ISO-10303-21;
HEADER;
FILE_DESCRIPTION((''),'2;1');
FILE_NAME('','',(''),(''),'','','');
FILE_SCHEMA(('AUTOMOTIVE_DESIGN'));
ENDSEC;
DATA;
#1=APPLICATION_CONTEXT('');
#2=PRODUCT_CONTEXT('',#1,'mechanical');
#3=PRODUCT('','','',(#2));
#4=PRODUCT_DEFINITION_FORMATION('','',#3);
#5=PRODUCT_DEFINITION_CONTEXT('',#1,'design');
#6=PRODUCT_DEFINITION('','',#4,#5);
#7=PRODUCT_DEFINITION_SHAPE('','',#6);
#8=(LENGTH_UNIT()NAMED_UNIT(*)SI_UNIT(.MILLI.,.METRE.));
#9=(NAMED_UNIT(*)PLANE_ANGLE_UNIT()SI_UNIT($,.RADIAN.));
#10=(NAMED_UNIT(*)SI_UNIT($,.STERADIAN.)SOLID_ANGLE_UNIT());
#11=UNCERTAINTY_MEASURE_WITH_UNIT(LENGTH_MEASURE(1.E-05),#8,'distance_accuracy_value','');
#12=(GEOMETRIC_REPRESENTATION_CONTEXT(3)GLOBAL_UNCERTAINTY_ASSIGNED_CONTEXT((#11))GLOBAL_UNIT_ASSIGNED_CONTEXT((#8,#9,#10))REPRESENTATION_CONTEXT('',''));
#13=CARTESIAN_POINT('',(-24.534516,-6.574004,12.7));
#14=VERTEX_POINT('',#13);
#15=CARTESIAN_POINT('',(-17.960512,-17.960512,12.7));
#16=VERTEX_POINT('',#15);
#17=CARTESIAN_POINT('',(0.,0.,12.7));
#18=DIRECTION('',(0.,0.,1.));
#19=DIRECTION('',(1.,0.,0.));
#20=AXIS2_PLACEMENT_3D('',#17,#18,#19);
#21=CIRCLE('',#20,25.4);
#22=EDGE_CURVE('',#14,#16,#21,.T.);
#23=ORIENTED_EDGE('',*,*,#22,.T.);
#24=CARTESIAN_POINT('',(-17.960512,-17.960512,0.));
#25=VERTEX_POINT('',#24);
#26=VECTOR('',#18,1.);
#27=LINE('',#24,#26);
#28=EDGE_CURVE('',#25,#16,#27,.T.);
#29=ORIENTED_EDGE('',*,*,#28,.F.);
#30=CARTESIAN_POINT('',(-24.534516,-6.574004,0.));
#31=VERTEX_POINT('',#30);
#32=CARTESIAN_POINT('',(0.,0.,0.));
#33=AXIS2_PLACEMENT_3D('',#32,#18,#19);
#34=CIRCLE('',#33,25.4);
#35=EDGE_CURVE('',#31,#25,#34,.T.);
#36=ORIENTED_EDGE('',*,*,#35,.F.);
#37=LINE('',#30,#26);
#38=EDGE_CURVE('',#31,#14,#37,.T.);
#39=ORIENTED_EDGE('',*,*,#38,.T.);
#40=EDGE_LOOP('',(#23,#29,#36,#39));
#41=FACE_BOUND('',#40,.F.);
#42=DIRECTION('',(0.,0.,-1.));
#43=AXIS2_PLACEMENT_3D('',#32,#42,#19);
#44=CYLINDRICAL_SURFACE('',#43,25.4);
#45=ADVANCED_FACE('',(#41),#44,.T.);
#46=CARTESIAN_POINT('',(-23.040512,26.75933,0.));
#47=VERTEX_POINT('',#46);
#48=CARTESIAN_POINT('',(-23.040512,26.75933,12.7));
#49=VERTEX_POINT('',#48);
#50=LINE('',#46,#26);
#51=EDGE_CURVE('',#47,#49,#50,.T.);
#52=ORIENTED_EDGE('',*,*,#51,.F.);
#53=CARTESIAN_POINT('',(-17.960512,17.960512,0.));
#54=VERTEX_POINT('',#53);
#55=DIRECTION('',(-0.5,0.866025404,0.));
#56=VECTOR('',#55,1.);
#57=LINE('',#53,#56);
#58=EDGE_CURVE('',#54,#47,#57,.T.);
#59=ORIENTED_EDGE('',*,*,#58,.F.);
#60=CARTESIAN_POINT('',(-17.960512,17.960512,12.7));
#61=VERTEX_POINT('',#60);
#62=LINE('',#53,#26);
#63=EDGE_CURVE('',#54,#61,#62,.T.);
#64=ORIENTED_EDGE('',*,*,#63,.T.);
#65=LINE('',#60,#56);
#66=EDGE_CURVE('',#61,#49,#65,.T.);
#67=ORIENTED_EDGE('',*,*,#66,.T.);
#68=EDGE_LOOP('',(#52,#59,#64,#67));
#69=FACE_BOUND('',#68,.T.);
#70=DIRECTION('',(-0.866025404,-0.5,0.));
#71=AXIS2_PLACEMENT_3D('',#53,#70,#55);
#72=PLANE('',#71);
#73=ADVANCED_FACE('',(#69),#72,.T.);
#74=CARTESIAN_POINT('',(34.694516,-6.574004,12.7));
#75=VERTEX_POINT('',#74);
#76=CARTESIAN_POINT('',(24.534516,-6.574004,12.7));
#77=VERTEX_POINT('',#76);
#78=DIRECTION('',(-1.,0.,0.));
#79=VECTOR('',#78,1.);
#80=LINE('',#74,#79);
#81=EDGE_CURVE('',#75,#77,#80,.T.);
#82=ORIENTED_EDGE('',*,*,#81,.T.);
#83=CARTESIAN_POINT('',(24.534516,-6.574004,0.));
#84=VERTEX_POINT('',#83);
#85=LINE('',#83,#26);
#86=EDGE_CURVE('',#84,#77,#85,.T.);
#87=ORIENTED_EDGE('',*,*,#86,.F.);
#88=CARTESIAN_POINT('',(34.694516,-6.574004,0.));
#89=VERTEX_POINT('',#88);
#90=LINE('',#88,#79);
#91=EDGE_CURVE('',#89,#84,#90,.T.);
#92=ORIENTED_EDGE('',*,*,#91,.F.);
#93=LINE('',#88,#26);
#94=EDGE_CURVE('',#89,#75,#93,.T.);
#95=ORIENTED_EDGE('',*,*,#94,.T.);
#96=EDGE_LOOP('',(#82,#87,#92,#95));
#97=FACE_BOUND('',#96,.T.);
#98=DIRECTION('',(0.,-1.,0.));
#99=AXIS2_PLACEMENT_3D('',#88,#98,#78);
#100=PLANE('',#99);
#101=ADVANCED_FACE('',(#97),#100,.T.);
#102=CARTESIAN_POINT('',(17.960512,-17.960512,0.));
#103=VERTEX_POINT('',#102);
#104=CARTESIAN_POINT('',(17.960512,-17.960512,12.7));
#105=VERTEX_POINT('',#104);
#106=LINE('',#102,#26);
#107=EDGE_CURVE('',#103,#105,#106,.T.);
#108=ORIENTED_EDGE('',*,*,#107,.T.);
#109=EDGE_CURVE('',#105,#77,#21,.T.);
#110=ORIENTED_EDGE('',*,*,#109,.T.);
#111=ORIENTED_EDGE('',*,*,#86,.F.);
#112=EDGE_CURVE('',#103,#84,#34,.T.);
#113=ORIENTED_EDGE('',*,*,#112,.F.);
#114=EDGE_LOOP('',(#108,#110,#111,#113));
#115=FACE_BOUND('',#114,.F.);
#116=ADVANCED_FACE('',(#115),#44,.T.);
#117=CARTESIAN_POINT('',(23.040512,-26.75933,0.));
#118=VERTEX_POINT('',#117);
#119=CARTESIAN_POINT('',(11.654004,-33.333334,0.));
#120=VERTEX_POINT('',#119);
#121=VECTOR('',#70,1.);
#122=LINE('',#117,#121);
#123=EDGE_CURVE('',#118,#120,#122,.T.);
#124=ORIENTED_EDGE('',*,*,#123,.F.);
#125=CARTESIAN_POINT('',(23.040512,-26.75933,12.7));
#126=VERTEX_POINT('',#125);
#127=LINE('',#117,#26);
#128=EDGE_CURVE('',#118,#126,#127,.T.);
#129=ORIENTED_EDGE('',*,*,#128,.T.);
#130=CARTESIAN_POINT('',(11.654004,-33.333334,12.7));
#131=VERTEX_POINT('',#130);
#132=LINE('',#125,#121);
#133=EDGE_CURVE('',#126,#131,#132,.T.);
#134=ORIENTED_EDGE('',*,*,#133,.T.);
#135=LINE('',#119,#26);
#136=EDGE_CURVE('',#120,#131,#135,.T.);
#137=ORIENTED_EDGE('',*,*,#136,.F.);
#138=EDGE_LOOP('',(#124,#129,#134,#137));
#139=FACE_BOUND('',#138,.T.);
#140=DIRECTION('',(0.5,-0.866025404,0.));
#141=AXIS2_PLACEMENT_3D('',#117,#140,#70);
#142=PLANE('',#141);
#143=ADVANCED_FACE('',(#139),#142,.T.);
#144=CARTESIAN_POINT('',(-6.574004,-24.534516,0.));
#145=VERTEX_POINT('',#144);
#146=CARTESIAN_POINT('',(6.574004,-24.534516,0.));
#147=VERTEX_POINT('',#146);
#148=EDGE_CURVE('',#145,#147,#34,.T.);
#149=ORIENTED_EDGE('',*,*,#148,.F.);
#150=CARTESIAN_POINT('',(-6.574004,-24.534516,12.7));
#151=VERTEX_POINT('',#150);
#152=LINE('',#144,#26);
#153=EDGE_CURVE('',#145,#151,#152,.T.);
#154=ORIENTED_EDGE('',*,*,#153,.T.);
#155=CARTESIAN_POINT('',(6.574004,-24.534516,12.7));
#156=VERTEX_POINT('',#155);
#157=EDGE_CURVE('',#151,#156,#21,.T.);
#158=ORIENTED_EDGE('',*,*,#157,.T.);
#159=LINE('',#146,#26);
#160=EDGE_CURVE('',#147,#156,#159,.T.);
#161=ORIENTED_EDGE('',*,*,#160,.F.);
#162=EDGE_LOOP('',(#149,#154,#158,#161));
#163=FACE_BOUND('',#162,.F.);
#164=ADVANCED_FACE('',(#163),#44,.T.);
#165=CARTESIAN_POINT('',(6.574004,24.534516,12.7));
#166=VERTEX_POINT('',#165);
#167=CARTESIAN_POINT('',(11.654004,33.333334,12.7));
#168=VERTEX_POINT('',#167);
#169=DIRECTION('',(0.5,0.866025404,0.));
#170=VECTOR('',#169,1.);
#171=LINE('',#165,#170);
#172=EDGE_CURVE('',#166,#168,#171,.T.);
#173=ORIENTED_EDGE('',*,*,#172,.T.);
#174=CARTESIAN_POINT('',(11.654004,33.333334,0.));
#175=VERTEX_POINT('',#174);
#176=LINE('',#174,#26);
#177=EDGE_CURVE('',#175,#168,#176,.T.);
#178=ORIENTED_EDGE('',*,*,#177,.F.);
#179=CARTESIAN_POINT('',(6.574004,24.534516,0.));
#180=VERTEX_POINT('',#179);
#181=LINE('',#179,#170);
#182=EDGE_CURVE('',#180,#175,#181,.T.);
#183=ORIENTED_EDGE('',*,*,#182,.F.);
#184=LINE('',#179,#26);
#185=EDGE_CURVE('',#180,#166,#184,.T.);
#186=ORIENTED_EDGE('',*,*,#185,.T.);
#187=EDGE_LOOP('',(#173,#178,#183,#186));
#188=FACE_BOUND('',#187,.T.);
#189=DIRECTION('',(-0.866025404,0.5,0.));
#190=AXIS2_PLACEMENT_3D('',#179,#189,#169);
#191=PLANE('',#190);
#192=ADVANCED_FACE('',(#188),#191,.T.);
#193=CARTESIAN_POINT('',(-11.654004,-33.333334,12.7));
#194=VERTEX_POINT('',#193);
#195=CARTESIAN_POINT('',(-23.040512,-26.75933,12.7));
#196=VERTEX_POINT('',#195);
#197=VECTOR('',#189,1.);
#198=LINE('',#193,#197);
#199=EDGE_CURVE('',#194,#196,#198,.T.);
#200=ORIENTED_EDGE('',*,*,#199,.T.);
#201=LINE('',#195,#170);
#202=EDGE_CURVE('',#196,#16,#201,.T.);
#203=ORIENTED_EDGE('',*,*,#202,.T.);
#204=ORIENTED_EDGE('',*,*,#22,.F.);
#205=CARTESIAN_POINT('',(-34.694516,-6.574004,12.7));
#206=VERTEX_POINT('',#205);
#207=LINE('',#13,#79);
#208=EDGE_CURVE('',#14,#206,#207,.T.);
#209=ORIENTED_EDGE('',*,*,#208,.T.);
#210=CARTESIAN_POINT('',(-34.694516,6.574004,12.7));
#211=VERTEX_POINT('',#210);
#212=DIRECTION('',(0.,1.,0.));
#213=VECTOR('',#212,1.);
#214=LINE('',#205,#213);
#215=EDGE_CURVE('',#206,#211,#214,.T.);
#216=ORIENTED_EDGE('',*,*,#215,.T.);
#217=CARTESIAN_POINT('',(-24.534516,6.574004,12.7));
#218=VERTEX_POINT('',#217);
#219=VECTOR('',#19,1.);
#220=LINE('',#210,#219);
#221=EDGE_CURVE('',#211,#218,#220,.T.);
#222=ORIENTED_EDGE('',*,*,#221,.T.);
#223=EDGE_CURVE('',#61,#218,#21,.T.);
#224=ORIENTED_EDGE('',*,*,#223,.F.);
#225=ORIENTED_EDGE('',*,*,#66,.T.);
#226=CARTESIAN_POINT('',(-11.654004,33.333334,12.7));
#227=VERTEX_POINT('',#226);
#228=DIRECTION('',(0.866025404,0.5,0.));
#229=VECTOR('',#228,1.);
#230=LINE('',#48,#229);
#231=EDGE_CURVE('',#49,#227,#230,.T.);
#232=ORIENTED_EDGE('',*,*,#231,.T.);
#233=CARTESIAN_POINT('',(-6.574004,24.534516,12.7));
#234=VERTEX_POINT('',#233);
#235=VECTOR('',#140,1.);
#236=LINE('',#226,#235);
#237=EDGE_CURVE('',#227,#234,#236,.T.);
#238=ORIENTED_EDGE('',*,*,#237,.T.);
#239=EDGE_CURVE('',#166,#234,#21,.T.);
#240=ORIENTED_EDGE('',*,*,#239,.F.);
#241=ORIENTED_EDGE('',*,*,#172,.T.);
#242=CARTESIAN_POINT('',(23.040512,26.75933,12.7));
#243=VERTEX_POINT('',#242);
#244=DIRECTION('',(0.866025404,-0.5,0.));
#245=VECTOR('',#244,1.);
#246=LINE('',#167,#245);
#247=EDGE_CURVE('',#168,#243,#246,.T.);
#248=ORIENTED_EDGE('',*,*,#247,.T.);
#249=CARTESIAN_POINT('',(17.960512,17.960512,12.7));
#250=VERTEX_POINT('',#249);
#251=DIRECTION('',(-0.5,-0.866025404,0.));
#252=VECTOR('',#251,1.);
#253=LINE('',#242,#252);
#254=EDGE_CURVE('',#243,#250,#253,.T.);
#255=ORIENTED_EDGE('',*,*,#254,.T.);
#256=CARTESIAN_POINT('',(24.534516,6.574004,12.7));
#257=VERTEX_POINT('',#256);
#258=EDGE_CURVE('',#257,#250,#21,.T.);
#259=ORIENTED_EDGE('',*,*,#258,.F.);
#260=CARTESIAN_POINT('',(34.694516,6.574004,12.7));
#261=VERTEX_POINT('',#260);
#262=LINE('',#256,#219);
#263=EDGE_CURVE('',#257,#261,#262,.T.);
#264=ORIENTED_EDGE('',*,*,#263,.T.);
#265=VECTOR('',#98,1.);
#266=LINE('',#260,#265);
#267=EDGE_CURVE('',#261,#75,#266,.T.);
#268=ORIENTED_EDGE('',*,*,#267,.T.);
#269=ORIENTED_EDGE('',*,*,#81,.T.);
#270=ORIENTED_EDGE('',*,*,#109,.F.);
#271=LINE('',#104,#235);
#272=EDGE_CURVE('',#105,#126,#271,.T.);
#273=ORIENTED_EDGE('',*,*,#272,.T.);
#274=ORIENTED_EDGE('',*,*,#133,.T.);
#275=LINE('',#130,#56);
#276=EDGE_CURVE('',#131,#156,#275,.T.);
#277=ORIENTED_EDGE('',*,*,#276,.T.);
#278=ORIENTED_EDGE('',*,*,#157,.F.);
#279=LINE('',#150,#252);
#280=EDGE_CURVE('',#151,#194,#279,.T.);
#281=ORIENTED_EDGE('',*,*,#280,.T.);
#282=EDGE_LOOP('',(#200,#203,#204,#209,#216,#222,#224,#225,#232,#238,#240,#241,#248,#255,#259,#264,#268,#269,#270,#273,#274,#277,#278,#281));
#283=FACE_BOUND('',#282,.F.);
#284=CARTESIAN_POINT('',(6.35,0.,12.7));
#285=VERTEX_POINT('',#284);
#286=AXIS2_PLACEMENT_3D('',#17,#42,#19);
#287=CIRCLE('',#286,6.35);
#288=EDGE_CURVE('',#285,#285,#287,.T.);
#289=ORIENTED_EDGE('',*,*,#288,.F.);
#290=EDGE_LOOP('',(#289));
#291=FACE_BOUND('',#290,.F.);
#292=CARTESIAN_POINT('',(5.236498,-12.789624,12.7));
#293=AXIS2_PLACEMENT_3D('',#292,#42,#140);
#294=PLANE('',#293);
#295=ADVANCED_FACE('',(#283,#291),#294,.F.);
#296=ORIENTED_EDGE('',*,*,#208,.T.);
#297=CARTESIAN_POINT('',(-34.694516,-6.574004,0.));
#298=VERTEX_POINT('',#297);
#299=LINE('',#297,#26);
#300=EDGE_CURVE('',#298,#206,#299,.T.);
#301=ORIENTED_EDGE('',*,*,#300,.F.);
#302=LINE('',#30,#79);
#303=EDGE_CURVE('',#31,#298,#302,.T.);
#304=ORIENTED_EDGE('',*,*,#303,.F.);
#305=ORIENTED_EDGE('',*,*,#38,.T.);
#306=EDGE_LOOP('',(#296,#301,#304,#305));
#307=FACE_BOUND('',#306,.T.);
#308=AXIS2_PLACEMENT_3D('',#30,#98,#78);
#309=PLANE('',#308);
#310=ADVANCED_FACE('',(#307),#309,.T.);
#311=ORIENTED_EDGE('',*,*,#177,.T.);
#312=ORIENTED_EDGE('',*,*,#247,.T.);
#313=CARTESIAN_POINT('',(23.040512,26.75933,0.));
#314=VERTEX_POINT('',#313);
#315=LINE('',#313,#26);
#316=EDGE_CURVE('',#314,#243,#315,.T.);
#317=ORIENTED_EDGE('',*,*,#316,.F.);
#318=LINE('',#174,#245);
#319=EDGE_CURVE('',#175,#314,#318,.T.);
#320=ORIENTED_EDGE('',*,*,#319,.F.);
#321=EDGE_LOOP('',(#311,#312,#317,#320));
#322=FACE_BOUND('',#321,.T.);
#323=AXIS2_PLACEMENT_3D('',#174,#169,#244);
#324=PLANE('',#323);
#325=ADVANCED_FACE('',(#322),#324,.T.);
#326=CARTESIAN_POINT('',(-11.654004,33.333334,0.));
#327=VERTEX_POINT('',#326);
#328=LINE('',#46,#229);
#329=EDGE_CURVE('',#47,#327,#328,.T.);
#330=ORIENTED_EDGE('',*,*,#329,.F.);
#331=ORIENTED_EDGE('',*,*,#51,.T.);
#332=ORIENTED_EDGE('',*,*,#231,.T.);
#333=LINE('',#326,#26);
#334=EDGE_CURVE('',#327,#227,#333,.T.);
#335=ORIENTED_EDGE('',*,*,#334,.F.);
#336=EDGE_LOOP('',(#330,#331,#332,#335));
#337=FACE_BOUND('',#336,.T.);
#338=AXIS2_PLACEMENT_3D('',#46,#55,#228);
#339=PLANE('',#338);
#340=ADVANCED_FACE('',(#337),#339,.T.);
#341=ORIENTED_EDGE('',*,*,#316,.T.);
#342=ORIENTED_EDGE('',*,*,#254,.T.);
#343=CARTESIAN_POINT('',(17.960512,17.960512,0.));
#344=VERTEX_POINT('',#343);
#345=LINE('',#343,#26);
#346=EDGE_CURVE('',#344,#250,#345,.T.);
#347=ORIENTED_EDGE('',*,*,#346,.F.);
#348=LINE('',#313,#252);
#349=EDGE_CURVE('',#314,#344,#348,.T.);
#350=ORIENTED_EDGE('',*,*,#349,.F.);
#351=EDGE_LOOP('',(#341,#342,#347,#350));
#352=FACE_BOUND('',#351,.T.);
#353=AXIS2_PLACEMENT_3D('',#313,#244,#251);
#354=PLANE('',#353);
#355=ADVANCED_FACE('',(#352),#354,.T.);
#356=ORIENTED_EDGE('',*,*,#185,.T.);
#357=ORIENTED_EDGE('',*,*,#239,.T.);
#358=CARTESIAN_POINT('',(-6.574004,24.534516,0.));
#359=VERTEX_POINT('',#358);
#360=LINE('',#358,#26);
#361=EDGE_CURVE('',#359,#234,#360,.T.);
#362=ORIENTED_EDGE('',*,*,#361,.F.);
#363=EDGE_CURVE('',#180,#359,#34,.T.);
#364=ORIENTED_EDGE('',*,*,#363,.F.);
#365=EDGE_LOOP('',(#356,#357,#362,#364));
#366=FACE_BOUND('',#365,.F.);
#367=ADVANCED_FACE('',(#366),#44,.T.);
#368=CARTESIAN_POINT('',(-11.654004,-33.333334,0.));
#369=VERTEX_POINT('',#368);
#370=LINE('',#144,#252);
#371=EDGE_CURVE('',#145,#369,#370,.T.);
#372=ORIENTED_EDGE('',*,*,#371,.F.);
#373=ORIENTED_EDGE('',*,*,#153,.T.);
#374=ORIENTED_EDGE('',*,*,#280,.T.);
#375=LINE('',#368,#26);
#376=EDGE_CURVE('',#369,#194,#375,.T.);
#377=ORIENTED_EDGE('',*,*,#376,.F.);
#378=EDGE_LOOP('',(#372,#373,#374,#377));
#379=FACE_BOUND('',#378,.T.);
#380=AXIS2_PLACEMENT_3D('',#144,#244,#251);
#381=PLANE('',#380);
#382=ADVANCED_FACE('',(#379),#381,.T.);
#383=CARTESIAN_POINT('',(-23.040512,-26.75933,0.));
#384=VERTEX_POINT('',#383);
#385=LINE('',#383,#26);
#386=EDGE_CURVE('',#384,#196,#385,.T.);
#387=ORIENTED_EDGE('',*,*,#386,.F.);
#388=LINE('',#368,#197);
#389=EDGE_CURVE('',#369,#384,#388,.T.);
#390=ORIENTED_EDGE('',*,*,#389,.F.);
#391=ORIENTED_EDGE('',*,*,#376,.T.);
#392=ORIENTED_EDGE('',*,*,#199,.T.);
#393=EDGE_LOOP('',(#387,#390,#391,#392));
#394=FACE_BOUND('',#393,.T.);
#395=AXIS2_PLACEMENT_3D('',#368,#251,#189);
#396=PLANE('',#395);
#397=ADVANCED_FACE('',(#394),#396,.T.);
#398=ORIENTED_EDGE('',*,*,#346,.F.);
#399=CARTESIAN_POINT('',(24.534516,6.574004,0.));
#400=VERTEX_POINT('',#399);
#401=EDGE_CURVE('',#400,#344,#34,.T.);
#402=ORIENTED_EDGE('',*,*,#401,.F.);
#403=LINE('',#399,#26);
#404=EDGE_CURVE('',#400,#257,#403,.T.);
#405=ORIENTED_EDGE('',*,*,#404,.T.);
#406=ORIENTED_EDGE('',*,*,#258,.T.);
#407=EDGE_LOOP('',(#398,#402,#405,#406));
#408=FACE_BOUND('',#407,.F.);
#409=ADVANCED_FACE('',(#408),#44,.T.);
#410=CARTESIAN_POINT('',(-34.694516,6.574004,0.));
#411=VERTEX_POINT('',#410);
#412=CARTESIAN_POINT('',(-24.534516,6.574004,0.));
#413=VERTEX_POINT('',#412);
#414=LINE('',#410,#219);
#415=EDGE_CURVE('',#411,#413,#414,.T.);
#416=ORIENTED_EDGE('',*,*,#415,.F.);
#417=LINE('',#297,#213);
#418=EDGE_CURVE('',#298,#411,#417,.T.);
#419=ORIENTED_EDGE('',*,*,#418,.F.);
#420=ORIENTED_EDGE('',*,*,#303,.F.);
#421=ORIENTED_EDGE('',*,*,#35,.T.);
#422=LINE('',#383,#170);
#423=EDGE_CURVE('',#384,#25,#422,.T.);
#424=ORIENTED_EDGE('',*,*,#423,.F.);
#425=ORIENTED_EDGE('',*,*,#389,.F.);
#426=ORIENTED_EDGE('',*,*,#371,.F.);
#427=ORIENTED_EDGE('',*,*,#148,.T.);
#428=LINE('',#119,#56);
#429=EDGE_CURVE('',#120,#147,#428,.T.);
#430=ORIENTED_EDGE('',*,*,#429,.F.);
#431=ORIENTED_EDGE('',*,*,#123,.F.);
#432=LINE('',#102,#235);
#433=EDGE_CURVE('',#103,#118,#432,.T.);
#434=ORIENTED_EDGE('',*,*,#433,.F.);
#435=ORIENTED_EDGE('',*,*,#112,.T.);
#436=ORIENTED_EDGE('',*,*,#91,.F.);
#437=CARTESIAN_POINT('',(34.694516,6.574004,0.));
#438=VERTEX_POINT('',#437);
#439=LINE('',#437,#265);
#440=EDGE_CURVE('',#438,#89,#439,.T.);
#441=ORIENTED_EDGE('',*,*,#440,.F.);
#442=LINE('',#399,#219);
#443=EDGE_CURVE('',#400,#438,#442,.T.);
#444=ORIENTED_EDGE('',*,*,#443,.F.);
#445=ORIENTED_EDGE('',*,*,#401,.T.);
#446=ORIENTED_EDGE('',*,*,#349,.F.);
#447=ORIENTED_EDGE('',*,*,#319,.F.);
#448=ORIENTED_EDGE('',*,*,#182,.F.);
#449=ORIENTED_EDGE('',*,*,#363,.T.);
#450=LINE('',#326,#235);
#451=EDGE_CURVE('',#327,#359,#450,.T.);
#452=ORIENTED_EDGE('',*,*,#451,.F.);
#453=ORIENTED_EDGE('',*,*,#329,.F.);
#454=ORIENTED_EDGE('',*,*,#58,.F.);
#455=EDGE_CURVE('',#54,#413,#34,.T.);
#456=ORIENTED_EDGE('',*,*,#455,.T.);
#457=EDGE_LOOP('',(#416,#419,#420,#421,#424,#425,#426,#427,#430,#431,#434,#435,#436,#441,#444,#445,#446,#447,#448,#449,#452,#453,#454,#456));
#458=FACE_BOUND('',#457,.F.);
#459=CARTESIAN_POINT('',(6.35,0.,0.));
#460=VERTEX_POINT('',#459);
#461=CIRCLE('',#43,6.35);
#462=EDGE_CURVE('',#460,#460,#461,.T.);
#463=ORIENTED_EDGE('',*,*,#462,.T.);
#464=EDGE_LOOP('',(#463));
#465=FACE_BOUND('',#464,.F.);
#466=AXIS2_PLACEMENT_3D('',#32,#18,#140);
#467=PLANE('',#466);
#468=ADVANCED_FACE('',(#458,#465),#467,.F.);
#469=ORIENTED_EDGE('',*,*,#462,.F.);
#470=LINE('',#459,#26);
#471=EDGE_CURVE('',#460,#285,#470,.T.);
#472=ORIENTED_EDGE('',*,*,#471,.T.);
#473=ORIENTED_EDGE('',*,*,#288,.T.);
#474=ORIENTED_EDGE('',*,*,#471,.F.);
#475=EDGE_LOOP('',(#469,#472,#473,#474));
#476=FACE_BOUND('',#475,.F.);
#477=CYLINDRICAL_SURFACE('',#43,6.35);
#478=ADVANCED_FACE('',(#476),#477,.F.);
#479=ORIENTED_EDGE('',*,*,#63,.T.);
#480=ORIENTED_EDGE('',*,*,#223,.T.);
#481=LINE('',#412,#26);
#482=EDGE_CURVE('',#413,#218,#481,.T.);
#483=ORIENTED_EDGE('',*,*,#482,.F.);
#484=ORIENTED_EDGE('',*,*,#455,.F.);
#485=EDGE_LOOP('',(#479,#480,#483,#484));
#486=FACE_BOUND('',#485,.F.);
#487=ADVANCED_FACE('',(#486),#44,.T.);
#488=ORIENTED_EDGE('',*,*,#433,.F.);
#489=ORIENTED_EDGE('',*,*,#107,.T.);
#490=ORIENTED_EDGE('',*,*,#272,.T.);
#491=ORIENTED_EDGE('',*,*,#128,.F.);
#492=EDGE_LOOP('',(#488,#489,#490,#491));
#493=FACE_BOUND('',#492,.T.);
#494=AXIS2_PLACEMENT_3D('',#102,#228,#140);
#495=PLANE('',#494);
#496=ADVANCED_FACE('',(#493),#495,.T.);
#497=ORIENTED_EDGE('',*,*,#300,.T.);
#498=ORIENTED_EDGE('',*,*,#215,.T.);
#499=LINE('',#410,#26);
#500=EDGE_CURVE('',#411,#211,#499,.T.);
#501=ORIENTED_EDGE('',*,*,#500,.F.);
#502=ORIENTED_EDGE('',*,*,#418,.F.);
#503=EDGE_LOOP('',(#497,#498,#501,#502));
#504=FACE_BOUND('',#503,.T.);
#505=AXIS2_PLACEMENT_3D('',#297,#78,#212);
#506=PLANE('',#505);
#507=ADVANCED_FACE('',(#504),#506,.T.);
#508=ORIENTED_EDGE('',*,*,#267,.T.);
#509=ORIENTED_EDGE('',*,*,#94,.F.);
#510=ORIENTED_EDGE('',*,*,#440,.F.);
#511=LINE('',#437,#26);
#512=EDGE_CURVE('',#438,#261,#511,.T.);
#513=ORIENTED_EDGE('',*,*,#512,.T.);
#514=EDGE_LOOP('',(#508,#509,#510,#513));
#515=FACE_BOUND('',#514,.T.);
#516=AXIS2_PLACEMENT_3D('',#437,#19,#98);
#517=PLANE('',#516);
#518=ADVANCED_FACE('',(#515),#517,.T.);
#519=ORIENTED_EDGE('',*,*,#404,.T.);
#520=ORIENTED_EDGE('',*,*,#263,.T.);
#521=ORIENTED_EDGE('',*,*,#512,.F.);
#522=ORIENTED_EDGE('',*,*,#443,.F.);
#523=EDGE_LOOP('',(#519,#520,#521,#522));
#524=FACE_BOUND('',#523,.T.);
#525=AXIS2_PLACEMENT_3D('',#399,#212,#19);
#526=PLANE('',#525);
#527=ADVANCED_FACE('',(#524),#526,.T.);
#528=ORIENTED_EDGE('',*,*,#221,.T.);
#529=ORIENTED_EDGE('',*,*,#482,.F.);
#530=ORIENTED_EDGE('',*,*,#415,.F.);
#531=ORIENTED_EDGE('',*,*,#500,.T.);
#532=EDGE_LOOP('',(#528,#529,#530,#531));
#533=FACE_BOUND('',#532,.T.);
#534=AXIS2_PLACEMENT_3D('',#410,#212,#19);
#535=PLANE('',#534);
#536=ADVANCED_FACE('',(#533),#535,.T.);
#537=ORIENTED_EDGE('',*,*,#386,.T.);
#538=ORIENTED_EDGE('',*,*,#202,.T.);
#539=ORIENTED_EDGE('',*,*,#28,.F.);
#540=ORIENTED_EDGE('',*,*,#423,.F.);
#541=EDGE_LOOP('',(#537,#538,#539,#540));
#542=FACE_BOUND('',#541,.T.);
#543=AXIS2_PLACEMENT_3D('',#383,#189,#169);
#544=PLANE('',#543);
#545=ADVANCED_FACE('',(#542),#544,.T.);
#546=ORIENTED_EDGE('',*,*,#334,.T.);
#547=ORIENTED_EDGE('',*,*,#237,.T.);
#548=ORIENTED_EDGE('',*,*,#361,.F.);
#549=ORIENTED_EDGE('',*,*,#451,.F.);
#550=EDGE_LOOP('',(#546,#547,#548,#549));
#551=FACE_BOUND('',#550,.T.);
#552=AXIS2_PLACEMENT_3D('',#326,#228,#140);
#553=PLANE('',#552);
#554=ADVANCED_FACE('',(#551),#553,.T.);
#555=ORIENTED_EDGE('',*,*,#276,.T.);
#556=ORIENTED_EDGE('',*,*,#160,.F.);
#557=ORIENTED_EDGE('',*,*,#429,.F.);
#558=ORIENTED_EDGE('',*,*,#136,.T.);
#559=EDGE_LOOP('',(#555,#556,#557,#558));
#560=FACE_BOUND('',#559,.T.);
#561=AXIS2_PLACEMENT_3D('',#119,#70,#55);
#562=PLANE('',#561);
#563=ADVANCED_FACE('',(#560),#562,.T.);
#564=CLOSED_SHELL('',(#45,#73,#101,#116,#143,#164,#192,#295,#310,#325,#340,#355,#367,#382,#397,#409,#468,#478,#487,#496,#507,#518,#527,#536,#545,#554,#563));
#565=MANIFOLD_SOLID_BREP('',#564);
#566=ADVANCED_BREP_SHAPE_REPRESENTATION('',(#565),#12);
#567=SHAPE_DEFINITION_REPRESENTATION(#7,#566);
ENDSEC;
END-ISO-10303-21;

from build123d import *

# Parameters (mm, degrees)
F0_R     = 25.4
F1_DEPTH = 12.7
F3_DEPTH = 12.7
F5_COUNT = 6
F6_R     = 6.35
F7_DEPTH = 12.701


with BuildPart() as f1:
    # F0 (on Top) → F1 (new body)
    with BuildSketch(Plane.XY):
        Circle(F0_R)
    extrude(amount=F1_DEPTH)

    # F2 (on face) → F3 (join)
    with BuildSketch(Plane(origin=(0, 0, 0), x_dir=(1, 0, 0), z_dir=(0, 0, -1))):
        Polygon((24.534516, 6.574004), (0, 0), (24.534516, 0), align=None)
        Polygon((24.534516, 0), (0, 0), (24.534516, -6.574004), align=None)
        Polygon((24.534516, 6.574004), (24.534516, 0), (24.534516, -6.574004), (34.694516, -6.574004), (34.694516, 6.574004), align=None)
    extrude(amount=-F3_DEPTH)

    # F5: F1 ×6 about axis
    f5_axis = Axis((0, 0, 27.185274), (0, 0, 1))


with BuildPart() as f1_1:
    add(f1.part)
    for i in range(1, F5_COUNT):
        add(f1.part.rotate(f5_axis, i * 360 / F5_COUNT))

    # F6 (on face) → F7 (cut, through all)
    with BuildSketch(Plane(origin=(0, 0, 0), x_dir=(1, 0, 0), z_dir=(0, 0, -1))):
        Circle(F6_R)
    extrude(amount=-F7_DEPTH, mode=Mode.SUBTRACT)


solid = f1_1.part
